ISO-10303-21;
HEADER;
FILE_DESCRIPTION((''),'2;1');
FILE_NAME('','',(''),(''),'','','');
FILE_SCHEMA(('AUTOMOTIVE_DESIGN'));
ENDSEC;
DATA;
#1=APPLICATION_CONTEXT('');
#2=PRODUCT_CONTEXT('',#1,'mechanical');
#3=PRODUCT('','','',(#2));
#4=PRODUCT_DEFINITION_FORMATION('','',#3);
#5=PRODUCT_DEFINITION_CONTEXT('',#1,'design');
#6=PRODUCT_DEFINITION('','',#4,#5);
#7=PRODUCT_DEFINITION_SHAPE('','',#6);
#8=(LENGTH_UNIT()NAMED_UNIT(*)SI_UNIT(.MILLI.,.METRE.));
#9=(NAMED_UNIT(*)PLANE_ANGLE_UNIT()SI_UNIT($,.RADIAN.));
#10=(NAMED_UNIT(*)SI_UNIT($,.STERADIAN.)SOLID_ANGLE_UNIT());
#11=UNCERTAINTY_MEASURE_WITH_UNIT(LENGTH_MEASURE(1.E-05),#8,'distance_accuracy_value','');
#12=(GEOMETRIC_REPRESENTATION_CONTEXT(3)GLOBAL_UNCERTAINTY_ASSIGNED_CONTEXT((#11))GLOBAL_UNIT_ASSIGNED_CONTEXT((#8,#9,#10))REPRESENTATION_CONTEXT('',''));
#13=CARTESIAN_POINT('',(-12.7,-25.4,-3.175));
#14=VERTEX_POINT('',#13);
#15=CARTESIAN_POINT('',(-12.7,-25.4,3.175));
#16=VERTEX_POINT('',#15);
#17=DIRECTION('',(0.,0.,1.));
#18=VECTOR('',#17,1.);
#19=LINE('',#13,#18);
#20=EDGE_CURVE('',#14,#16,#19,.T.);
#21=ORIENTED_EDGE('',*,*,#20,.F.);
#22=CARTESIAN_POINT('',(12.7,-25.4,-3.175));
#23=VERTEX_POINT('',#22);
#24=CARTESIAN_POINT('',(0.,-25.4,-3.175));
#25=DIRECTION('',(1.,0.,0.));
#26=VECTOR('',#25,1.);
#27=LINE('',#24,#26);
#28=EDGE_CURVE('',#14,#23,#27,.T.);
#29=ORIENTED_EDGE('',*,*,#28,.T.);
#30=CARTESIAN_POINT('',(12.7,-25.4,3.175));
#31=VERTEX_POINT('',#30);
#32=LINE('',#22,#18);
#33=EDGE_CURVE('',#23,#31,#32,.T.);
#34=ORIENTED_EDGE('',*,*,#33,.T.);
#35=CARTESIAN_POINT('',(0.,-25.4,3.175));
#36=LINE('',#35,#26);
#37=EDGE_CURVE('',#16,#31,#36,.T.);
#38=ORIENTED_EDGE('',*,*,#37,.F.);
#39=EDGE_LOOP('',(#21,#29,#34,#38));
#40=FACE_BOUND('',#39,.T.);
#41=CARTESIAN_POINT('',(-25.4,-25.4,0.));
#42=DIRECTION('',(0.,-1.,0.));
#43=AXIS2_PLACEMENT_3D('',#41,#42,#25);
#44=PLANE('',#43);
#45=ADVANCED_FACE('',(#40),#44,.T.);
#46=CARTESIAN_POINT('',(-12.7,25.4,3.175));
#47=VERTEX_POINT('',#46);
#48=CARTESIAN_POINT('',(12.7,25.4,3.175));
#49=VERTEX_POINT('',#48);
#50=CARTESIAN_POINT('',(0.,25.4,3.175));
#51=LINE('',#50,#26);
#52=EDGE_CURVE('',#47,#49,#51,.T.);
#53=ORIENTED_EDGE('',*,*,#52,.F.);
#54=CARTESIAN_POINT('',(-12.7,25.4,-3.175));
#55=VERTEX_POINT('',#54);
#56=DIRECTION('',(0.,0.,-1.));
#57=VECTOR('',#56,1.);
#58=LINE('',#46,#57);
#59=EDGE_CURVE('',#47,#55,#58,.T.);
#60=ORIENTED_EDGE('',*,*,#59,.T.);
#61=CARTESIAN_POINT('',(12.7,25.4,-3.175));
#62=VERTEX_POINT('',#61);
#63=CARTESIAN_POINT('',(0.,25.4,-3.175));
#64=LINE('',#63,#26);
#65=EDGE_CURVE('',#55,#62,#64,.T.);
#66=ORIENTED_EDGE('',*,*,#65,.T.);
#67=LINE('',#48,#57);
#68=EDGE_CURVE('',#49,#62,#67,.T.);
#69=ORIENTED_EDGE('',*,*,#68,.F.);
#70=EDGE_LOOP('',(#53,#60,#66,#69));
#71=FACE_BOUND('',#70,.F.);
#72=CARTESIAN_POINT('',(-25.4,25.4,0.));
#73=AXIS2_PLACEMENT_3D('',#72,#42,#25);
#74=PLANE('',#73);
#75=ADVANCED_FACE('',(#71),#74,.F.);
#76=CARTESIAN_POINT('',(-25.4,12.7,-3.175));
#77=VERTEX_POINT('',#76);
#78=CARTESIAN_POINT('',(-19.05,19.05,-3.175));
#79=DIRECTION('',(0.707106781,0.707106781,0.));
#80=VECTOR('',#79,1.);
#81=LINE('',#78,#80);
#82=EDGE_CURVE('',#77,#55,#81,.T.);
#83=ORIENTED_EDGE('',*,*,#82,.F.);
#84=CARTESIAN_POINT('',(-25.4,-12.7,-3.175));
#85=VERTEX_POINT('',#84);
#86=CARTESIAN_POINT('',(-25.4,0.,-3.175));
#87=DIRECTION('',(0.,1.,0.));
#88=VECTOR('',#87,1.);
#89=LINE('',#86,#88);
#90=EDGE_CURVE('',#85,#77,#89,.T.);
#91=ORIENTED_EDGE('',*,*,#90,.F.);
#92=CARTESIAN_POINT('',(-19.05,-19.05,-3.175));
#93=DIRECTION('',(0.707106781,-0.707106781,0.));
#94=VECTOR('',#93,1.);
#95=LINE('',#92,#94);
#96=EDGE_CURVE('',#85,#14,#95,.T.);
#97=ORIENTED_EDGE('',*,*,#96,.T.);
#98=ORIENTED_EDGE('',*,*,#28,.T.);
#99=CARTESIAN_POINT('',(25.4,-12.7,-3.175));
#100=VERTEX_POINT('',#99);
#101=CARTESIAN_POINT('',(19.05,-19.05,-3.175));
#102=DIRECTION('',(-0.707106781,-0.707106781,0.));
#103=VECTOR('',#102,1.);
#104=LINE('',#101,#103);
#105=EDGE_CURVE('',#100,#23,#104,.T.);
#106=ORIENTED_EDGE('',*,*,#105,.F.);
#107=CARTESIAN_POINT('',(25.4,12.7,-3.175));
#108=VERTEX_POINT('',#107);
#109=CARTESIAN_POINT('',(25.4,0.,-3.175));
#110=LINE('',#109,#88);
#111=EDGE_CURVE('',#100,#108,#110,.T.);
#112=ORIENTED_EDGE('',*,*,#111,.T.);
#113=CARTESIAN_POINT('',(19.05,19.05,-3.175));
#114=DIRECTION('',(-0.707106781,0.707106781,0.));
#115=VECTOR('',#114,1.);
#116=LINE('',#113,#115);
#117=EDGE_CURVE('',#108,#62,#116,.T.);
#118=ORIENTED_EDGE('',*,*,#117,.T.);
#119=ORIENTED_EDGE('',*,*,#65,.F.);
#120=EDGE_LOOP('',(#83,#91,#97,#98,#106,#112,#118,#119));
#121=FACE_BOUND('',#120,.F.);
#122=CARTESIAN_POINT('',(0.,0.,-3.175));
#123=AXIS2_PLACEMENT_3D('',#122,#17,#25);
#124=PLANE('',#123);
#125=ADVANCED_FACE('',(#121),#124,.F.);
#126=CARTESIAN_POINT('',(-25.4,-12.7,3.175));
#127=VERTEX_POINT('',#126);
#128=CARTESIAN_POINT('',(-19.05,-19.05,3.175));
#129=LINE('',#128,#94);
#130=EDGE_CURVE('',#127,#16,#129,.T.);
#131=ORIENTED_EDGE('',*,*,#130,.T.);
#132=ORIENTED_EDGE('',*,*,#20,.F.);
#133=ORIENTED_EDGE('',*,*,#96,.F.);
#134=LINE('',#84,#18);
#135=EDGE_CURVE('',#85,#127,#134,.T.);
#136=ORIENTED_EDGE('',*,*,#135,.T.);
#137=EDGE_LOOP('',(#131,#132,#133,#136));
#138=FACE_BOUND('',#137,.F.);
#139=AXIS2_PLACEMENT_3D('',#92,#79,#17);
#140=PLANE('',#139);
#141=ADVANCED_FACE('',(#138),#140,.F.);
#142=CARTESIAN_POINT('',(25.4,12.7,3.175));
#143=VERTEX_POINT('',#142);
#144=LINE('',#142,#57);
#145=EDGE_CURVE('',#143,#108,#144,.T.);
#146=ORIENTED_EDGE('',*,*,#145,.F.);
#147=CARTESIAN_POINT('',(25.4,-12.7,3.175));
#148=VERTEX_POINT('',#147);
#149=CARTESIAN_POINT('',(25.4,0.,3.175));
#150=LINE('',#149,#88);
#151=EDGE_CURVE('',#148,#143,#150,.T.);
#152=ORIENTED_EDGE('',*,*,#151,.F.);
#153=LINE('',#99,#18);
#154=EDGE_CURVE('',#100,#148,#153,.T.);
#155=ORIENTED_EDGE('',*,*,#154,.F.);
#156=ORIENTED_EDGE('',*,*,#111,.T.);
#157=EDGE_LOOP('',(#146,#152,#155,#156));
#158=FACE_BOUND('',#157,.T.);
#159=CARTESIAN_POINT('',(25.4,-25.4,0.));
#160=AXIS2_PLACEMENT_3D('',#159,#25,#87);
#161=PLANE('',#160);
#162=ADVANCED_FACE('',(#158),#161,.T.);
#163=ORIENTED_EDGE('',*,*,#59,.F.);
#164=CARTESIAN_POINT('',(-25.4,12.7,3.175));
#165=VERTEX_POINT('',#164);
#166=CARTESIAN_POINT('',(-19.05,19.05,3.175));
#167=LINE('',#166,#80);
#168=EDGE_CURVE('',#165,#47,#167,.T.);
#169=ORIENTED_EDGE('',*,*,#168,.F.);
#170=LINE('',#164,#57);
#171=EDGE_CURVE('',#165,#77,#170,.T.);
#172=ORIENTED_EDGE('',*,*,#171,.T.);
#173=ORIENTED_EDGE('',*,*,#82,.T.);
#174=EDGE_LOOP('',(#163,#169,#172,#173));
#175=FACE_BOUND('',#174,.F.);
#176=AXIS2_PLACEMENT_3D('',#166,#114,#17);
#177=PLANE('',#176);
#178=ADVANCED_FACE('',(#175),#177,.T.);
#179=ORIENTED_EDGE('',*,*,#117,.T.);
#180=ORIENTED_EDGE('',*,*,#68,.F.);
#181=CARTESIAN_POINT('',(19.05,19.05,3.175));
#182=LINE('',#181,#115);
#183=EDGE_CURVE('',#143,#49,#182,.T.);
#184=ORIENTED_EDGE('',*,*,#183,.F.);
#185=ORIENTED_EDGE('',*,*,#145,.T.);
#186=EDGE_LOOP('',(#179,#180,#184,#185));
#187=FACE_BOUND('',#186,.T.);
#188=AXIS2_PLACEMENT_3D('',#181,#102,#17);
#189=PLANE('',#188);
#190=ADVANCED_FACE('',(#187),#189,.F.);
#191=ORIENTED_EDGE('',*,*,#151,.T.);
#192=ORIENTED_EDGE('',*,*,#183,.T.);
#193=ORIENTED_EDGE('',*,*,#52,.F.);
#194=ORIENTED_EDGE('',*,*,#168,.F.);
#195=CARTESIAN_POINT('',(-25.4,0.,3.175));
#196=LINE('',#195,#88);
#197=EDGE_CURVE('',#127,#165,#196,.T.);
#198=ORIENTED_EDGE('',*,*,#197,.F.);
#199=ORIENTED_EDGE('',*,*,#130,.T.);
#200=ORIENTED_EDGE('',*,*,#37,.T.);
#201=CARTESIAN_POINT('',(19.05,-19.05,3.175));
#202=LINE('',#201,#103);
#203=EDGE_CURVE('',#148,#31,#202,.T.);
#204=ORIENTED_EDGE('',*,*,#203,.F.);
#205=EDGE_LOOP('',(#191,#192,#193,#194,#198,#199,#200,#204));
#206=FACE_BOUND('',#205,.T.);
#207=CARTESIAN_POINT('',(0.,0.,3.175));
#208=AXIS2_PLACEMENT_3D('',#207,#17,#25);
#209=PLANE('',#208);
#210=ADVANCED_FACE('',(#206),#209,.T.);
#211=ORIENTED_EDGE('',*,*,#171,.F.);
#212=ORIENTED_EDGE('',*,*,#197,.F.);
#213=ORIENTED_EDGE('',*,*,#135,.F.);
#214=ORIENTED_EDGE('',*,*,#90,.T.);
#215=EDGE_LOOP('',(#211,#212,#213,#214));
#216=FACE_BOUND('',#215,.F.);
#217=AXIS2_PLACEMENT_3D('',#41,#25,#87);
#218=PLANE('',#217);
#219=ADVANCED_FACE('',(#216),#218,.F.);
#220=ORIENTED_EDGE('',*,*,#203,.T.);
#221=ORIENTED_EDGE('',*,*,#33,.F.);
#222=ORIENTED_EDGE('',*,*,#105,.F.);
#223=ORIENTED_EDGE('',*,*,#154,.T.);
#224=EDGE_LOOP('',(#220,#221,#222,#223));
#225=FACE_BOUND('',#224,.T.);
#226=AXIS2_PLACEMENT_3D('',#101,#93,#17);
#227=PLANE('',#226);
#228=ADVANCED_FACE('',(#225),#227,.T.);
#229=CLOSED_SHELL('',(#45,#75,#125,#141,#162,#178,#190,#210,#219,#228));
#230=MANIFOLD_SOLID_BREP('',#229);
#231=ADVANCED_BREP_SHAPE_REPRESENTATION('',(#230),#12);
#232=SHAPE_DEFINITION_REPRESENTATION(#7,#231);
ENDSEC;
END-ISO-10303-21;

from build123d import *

# Parameters (mm, degrees)
F0_W     = 50.8
F0_H     = 50.8
F1_DEPTH = 3.175
F2_SIZE  = 12.7


with BuildPart() as f1:
    # F0 (on Top) → F1 (new body, symmetric)
    with BuildSketch(Plane.XY):
        Rectangle(F0_W, F0_H)
    extrude(amount=F1_DEPTH, both=True)

    # F2
    f2_edges = [f1.edges().sort_by_distance(p)[0] for p in [
        (-25.4, -25.4, 0),
        (25.4, -25.4, 0),
        (25.4, 25.4, 0),
        (-25.4, 25.4, 0),
    ]]
    chamfer(f2_edges, length=F2_SIZE)


solid = f1.part
